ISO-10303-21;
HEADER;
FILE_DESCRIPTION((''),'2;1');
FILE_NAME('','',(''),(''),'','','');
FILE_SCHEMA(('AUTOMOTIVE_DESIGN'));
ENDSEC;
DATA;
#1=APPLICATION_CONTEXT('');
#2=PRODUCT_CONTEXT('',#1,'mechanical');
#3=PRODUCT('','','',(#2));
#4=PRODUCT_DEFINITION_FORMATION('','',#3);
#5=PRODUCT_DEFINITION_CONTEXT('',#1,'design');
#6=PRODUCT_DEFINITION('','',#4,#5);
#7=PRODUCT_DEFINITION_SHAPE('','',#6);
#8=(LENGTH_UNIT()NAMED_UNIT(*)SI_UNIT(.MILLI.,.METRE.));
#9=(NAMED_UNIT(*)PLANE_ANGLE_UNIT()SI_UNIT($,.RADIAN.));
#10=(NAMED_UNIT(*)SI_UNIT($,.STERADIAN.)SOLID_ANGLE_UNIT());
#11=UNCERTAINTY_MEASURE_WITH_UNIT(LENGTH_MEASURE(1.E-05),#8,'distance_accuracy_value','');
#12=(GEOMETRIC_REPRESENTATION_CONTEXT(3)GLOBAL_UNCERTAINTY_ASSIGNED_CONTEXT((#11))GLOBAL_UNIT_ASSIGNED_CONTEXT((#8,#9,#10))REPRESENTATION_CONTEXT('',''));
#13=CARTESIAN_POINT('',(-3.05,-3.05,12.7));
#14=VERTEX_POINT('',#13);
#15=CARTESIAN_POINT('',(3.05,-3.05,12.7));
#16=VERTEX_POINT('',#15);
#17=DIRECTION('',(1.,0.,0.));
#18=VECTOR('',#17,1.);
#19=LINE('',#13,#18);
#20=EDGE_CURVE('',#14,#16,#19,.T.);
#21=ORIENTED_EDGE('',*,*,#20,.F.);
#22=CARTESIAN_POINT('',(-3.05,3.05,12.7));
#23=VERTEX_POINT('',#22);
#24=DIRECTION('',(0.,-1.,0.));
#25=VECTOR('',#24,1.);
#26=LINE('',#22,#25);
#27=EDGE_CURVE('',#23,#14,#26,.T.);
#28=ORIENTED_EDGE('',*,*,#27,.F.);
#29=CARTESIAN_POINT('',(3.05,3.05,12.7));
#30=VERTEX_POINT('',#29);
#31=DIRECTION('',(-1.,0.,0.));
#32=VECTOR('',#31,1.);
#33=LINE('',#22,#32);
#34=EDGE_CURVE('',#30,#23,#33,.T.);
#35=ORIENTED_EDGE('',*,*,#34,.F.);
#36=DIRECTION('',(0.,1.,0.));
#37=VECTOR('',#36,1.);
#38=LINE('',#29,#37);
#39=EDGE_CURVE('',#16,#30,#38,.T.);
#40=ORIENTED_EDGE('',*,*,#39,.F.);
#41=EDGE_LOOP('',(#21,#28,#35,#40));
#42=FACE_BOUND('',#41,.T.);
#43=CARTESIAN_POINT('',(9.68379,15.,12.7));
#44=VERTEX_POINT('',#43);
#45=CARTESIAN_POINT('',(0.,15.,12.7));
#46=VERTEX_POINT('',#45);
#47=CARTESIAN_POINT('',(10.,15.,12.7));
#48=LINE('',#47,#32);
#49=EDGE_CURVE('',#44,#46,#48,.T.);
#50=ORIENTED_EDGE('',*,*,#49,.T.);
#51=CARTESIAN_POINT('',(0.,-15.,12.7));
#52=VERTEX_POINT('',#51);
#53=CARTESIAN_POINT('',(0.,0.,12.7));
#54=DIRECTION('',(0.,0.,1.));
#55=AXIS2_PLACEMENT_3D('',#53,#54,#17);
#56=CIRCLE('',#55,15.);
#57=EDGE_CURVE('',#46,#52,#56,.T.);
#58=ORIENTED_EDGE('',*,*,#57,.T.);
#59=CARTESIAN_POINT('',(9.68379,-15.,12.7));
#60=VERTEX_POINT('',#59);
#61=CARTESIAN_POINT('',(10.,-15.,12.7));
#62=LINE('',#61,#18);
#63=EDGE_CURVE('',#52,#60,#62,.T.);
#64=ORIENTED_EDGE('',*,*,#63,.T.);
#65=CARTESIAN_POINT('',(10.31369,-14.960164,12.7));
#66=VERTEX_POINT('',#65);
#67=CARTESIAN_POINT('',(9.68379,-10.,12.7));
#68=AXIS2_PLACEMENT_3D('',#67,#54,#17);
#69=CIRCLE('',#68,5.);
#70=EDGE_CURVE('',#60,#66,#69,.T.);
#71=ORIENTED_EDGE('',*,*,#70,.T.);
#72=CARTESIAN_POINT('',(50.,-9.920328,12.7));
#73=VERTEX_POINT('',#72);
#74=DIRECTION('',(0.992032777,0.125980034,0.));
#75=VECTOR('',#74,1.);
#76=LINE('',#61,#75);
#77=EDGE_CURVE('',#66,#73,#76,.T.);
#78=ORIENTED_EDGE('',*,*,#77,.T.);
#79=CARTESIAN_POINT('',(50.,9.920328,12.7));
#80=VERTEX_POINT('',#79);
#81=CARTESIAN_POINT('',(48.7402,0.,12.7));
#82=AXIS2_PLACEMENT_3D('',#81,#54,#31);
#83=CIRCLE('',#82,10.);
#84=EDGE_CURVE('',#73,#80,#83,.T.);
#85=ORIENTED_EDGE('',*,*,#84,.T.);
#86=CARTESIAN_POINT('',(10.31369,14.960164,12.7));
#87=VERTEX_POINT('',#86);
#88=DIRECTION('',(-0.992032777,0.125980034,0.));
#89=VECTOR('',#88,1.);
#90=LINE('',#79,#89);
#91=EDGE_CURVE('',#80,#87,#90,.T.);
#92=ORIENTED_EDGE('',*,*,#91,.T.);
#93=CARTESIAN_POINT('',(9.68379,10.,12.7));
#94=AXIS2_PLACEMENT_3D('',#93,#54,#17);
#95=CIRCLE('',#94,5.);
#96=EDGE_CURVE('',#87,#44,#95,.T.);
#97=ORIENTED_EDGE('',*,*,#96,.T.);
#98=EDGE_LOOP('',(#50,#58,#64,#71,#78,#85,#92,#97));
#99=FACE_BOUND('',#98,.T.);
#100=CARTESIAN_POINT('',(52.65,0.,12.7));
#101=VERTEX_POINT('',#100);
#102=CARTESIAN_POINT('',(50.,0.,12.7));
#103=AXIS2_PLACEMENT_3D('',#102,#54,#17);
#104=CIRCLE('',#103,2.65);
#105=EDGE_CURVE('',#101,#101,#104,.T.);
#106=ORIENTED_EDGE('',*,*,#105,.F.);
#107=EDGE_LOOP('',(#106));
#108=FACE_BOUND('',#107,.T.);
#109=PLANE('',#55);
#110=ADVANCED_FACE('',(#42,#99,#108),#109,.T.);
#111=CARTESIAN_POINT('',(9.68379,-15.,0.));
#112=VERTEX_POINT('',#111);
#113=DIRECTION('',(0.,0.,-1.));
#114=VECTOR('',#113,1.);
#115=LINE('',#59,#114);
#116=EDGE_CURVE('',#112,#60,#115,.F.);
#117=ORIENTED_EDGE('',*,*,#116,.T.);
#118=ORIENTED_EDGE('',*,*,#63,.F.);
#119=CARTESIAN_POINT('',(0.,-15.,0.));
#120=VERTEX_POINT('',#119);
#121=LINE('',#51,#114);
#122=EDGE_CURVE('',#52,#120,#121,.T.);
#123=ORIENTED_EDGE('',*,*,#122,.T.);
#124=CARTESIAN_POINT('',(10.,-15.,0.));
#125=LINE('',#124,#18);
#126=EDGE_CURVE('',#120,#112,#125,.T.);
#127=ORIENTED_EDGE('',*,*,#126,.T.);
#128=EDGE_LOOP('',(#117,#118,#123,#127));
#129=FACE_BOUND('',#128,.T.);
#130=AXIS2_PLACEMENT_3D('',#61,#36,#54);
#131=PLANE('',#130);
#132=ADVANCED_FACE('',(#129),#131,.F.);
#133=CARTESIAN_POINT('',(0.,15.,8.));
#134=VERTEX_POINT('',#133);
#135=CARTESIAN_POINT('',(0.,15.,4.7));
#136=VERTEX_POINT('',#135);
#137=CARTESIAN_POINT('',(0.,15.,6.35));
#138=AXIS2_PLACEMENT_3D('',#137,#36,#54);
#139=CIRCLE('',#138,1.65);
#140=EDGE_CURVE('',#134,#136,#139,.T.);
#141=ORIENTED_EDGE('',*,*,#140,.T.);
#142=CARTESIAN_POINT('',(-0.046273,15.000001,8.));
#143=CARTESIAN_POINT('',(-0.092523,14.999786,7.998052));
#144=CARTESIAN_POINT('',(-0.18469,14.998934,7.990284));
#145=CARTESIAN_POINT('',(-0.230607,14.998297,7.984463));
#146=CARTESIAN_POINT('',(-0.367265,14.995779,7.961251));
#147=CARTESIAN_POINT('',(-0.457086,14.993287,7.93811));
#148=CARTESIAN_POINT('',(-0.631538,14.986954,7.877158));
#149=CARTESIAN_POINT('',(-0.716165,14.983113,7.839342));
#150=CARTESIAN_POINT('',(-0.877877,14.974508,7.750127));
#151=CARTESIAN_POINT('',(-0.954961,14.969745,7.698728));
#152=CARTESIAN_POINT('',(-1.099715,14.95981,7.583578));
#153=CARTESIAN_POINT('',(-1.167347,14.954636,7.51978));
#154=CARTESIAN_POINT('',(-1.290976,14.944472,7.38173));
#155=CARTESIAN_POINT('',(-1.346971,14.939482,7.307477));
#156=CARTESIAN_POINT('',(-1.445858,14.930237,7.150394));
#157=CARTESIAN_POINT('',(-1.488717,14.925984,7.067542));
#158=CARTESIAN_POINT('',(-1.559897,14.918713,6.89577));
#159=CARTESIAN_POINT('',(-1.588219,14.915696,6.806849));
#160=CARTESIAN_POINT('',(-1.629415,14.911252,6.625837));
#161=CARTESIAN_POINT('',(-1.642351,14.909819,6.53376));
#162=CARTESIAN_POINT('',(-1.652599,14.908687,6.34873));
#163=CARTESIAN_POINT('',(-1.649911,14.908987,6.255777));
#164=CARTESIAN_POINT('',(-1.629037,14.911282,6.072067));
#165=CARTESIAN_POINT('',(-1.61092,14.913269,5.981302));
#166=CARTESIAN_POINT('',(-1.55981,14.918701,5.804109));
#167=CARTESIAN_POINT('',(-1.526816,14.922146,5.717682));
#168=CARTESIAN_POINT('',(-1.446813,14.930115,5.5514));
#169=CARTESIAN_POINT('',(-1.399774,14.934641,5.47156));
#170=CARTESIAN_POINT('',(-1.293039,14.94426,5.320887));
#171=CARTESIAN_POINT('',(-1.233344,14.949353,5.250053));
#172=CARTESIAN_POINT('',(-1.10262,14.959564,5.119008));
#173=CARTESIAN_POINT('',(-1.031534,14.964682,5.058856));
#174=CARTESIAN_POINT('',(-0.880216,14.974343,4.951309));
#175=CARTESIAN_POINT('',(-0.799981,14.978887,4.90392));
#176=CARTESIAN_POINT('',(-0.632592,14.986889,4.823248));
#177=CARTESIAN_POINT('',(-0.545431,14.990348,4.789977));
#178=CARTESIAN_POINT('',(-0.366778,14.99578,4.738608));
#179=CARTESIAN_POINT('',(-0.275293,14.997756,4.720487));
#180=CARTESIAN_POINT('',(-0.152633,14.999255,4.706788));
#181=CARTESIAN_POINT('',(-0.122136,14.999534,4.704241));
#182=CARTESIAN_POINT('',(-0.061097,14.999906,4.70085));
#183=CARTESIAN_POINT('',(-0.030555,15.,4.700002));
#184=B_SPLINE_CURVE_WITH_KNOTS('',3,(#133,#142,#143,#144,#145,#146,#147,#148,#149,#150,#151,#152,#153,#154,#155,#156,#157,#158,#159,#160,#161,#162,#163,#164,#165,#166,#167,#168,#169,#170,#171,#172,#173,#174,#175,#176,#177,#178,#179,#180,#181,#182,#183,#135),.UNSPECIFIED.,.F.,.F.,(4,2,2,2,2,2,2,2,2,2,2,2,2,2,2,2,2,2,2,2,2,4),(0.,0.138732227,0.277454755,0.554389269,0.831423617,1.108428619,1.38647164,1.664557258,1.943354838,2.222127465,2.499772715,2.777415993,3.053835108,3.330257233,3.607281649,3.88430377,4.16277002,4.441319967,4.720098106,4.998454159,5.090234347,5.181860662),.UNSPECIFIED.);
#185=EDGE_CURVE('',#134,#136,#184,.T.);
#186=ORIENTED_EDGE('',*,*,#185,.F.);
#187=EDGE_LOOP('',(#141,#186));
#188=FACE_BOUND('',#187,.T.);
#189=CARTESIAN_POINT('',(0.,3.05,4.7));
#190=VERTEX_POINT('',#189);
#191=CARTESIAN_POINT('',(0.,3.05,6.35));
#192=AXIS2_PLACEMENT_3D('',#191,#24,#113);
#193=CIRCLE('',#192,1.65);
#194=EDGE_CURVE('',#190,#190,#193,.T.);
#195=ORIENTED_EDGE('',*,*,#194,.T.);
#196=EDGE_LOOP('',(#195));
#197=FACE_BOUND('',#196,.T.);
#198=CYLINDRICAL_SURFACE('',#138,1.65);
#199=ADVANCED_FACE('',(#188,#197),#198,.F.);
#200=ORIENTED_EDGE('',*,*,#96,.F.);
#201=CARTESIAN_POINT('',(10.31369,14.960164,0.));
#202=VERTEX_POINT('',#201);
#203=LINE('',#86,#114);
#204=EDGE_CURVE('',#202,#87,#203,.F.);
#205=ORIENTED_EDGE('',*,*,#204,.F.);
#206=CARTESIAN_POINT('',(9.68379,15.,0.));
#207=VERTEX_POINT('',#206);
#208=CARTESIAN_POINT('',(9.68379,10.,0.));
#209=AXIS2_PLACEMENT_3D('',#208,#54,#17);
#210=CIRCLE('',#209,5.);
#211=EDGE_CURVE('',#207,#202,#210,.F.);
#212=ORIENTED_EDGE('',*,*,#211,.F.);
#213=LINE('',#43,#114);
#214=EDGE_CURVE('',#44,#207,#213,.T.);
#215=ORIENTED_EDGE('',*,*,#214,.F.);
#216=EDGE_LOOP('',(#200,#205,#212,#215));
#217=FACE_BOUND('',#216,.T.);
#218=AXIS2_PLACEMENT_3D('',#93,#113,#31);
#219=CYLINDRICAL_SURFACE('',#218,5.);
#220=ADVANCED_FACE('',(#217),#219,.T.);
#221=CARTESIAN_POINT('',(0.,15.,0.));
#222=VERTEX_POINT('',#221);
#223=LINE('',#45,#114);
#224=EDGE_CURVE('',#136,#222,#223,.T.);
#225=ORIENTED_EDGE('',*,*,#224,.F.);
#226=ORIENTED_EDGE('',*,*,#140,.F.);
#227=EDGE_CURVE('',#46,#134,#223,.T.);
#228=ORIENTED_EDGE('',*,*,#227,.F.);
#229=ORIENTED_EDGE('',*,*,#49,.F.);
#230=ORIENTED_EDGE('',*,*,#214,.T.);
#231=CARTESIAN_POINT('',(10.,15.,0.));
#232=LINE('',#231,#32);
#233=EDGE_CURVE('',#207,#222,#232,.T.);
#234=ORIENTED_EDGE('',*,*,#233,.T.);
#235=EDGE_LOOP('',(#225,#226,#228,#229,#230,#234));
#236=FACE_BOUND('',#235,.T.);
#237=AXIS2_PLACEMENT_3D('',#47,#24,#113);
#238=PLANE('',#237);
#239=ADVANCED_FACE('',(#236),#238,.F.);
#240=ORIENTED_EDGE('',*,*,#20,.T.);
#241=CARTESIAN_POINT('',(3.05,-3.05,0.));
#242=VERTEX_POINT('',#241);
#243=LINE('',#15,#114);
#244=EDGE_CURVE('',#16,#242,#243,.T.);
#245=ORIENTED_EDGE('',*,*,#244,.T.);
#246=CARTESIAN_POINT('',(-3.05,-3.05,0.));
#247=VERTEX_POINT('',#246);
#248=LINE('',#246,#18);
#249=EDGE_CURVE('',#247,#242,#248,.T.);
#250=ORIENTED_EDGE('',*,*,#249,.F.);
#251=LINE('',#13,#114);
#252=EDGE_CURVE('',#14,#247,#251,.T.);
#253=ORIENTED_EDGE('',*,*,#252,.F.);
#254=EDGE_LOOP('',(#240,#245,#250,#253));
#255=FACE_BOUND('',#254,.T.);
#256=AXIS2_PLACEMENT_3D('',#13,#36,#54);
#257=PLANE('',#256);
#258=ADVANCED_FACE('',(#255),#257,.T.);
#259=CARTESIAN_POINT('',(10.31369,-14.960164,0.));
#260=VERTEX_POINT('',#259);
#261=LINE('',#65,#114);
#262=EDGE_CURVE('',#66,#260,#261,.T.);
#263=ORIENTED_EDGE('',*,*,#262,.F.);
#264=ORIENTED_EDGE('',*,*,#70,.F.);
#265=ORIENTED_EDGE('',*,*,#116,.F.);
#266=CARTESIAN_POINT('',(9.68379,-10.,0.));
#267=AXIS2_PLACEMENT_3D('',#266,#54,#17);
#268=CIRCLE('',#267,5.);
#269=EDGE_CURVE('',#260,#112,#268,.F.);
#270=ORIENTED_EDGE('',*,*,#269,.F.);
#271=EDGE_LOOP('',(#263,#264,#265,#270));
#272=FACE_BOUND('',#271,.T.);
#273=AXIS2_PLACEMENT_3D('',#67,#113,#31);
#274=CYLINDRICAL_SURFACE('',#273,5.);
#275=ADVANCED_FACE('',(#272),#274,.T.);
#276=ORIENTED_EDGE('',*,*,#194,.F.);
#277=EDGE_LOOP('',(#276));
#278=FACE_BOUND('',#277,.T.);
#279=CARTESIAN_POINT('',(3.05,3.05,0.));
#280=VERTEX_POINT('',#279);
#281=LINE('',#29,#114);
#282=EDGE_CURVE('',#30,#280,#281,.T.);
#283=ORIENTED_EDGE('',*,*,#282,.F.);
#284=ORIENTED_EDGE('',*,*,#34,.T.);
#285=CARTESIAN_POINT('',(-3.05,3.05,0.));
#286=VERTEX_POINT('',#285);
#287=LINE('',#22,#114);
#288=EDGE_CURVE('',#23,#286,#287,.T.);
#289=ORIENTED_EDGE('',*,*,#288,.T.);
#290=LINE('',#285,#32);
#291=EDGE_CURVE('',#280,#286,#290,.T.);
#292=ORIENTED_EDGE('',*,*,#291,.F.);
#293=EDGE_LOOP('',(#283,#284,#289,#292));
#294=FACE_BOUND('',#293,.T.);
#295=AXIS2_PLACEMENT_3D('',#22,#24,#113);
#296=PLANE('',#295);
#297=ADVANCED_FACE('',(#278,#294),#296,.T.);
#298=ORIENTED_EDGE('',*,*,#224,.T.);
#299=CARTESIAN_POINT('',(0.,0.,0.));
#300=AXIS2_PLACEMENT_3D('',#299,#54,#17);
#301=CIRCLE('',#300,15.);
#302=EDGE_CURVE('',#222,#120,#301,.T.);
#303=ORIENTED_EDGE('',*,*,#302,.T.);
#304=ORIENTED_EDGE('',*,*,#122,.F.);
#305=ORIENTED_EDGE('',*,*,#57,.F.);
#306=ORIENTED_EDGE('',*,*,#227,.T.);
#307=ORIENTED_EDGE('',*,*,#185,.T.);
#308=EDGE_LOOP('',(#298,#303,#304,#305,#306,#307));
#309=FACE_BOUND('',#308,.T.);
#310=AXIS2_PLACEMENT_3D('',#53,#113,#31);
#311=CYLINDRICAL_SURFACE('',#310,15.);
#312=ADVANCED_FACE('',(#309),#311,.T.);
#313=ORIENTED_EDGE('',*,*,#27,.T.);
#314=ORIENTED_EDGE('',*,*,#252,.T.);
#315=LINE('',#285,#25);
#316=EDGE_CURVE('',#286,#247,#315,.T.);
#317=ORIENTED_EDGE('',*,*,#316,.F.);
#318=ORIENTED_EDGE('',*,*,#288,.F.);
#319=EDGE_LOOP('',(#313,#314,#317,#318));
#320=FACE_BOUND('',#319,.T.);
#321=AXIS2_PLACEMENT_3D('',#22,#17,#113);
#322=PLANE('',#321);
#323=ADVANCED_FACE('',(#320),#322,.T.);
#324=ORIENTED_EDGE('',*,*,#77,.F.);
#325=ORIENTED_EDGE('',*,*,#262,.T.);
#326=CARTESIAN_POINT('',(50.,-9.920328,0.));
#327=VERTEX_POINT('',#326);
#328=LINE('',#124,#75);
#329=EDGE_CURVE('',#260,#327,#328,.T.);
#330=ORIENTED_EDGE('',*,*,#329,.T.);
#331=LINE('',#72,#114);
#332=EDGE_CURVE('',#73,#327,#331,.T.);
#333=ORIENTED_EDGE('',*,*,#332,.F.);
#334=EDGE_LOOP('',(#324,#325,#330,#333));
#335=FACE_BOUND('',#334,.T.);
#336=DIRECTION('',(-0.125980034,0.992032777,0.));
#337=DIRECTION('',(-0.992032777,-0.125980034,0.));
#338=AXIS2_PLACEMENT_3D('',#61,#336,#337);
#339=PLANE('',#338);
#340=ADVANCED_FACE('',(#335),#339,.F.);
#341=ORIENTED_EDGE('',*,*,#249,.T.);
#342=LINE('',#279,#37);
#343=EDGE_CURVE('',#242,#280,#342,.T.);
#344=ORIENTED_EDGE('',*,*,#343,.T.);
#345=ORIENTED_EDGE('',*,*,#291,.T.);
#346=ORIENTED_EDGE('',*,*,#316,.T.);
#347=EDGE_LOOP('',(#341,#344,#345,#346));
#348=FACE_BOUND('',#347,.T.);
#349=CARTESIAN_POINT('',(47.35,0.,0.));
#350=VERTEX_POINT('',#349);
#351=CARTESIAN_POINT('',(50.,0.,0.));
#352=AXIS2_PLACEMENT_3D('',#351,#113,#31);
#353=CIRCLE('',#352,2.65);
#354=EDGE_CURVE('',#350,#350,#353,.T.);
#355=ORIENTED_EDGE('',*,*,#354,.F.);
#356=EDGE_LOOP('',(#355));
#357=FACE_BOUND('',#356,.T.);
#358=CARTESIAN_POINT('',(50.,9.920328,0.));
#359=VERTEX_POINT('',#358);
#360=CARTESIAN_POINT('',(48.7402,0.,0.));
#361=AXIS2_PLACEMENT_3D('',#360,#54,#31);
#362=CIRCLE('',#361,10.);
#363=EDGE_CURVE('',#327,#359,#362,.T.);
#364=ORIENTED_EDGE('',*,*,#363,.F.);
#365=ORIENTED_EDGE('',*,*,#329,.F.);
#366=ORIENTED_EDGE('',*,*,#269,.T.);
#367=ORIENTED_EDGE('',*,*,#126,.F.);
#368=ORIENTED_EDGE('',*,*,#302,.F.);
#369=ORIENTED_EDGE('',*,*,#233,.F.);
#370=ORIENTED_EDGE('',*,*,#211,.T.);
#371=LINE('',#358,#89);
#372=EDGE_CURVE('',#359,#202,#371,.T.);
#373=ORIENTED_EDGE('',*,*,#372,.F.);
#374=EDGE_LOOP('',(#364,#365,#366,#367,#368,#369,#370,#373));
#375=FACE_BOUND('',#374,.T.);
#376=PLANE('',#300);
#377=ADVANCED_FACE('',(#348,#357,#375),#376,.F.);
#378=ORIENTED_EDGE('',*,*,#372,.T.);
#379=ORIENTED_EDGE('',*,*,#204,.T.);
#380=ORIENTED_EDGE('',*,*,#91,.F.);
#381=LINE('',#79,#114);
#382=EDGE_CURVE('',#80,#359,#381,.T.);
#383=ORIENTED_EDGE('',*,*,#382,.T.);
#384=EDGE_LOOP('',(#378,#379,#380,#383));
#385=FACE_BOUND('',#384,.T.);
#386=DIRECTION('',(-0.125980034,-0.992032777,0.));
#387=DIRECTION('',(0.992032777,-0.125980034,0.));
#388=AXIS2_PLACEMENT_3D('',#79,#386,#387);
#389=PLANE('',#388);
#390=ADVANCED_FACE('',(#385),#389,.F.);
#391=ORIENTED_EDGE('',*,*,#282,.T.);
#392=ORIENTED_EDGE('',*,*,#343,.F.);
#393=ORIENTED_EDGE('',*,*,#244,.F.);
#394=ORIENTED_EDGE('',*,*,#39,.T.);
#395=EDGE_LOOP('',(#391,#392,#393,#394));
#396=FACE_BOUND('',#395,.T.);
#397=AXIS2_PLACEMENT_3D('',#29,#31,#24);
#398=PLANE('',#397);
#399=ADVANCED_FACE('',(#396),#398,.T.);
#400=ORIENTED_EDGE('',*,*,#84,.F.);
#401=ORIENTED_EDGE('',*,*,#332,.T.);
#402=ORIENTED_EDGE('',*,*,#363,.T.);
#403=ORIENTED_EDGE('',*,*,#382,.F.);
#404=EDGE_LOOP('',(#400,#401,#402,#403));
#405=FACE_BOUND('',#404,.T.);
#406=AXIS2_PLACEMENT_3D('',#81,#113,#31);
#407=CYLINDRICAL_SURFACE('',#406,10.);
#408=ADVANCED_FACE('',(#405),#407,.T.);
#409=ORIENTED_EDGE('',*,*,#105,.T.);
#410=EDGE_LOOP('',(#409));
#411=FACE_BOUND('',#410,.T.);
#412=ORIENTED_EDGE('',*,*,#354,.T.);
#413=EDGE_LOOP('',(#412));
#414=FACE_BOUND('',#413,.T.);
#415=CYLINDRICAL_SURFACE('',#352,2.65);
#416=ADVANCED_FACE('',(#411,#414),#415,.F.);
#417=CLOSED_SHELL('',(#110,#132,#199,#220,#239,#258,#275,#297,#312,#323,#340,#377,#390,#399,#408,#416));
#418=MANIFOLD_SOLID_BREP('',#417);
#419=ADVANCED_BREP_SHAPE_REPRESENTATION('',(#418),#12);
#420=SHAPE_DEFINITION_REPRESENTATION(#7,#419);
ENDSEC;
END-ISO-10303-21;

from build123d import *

# Parameters (mm, degrees)
SKETCH1_W                       = 6.1
SKETCH1_H                       = 6.1
BOSS_EXTRUDE1_DEPTH             = 12.7
TAP_DRILL_FOR_M4X0_7_TAP1_D     = 3.3
TAP_DRILL_FOR_M4X0_7_TAP1_DEPTH = 11.95
M5_CLEARANCE_HOLE1_D            = 5.3
FILLET1_R                       = 5


with BuildPart() as part:
    # Sketch1 → Boss-Extrude1 (new body)
    with BuildSketch(Plane.XY):
        with BuildLine():
            Line((50, 9.920327772), (10, 15))
            Line((10, 15), (0, 15))
            ThreePointArc((0, 15), (-15, 0), (0, -15))
            Line((0, -15), (10, -15))
            Line((10, -15), (50, -9.920327772))
            ThreePointArc((50, -9.920327772), (58.740199663, 0), (50, 9.920327772))
        make_face()
        Rectangle(SKETCH1_W, SKETCH1_H, mode=Mode.SUBTRACT)
    extrude(amount=BOSS_EXTRUDE1_DEPTH)

    # Tap Drill for M4x0.7 Tap1
    with Locations(Plane(origin=(0, 15, 6.35), x_dir=(0, 0, 1), z_dir=(0, 1, 0))):
        with Locations((0, 0)):
            Hole(TAP_DRILL_FOR_M4X0_7_TAP1_D / 2, depth=TAP_DRILL_FOR_M4X0_7_TAP1_DEPTH)

    # M5 Clearance Hole1 (through all)
    with Locations(Plane(origin=(50, 0, 0), x_dir=(-1, 0, 0), z_dir=(0, 0, -1))):
        with Locations((0, 0)):
            Hole(M5_CLEARANCE_HOLE1_D / 2)

    # Fillet1
    fillet1_edges = [part.edges().sort_by_distance(p)[0] for p in [
        (10, 15, 6.35),
        (10, -15, 6.35),
    ]]
    fillet(fillet1_edges, radius=FILLET1_R)


solid = part.part
